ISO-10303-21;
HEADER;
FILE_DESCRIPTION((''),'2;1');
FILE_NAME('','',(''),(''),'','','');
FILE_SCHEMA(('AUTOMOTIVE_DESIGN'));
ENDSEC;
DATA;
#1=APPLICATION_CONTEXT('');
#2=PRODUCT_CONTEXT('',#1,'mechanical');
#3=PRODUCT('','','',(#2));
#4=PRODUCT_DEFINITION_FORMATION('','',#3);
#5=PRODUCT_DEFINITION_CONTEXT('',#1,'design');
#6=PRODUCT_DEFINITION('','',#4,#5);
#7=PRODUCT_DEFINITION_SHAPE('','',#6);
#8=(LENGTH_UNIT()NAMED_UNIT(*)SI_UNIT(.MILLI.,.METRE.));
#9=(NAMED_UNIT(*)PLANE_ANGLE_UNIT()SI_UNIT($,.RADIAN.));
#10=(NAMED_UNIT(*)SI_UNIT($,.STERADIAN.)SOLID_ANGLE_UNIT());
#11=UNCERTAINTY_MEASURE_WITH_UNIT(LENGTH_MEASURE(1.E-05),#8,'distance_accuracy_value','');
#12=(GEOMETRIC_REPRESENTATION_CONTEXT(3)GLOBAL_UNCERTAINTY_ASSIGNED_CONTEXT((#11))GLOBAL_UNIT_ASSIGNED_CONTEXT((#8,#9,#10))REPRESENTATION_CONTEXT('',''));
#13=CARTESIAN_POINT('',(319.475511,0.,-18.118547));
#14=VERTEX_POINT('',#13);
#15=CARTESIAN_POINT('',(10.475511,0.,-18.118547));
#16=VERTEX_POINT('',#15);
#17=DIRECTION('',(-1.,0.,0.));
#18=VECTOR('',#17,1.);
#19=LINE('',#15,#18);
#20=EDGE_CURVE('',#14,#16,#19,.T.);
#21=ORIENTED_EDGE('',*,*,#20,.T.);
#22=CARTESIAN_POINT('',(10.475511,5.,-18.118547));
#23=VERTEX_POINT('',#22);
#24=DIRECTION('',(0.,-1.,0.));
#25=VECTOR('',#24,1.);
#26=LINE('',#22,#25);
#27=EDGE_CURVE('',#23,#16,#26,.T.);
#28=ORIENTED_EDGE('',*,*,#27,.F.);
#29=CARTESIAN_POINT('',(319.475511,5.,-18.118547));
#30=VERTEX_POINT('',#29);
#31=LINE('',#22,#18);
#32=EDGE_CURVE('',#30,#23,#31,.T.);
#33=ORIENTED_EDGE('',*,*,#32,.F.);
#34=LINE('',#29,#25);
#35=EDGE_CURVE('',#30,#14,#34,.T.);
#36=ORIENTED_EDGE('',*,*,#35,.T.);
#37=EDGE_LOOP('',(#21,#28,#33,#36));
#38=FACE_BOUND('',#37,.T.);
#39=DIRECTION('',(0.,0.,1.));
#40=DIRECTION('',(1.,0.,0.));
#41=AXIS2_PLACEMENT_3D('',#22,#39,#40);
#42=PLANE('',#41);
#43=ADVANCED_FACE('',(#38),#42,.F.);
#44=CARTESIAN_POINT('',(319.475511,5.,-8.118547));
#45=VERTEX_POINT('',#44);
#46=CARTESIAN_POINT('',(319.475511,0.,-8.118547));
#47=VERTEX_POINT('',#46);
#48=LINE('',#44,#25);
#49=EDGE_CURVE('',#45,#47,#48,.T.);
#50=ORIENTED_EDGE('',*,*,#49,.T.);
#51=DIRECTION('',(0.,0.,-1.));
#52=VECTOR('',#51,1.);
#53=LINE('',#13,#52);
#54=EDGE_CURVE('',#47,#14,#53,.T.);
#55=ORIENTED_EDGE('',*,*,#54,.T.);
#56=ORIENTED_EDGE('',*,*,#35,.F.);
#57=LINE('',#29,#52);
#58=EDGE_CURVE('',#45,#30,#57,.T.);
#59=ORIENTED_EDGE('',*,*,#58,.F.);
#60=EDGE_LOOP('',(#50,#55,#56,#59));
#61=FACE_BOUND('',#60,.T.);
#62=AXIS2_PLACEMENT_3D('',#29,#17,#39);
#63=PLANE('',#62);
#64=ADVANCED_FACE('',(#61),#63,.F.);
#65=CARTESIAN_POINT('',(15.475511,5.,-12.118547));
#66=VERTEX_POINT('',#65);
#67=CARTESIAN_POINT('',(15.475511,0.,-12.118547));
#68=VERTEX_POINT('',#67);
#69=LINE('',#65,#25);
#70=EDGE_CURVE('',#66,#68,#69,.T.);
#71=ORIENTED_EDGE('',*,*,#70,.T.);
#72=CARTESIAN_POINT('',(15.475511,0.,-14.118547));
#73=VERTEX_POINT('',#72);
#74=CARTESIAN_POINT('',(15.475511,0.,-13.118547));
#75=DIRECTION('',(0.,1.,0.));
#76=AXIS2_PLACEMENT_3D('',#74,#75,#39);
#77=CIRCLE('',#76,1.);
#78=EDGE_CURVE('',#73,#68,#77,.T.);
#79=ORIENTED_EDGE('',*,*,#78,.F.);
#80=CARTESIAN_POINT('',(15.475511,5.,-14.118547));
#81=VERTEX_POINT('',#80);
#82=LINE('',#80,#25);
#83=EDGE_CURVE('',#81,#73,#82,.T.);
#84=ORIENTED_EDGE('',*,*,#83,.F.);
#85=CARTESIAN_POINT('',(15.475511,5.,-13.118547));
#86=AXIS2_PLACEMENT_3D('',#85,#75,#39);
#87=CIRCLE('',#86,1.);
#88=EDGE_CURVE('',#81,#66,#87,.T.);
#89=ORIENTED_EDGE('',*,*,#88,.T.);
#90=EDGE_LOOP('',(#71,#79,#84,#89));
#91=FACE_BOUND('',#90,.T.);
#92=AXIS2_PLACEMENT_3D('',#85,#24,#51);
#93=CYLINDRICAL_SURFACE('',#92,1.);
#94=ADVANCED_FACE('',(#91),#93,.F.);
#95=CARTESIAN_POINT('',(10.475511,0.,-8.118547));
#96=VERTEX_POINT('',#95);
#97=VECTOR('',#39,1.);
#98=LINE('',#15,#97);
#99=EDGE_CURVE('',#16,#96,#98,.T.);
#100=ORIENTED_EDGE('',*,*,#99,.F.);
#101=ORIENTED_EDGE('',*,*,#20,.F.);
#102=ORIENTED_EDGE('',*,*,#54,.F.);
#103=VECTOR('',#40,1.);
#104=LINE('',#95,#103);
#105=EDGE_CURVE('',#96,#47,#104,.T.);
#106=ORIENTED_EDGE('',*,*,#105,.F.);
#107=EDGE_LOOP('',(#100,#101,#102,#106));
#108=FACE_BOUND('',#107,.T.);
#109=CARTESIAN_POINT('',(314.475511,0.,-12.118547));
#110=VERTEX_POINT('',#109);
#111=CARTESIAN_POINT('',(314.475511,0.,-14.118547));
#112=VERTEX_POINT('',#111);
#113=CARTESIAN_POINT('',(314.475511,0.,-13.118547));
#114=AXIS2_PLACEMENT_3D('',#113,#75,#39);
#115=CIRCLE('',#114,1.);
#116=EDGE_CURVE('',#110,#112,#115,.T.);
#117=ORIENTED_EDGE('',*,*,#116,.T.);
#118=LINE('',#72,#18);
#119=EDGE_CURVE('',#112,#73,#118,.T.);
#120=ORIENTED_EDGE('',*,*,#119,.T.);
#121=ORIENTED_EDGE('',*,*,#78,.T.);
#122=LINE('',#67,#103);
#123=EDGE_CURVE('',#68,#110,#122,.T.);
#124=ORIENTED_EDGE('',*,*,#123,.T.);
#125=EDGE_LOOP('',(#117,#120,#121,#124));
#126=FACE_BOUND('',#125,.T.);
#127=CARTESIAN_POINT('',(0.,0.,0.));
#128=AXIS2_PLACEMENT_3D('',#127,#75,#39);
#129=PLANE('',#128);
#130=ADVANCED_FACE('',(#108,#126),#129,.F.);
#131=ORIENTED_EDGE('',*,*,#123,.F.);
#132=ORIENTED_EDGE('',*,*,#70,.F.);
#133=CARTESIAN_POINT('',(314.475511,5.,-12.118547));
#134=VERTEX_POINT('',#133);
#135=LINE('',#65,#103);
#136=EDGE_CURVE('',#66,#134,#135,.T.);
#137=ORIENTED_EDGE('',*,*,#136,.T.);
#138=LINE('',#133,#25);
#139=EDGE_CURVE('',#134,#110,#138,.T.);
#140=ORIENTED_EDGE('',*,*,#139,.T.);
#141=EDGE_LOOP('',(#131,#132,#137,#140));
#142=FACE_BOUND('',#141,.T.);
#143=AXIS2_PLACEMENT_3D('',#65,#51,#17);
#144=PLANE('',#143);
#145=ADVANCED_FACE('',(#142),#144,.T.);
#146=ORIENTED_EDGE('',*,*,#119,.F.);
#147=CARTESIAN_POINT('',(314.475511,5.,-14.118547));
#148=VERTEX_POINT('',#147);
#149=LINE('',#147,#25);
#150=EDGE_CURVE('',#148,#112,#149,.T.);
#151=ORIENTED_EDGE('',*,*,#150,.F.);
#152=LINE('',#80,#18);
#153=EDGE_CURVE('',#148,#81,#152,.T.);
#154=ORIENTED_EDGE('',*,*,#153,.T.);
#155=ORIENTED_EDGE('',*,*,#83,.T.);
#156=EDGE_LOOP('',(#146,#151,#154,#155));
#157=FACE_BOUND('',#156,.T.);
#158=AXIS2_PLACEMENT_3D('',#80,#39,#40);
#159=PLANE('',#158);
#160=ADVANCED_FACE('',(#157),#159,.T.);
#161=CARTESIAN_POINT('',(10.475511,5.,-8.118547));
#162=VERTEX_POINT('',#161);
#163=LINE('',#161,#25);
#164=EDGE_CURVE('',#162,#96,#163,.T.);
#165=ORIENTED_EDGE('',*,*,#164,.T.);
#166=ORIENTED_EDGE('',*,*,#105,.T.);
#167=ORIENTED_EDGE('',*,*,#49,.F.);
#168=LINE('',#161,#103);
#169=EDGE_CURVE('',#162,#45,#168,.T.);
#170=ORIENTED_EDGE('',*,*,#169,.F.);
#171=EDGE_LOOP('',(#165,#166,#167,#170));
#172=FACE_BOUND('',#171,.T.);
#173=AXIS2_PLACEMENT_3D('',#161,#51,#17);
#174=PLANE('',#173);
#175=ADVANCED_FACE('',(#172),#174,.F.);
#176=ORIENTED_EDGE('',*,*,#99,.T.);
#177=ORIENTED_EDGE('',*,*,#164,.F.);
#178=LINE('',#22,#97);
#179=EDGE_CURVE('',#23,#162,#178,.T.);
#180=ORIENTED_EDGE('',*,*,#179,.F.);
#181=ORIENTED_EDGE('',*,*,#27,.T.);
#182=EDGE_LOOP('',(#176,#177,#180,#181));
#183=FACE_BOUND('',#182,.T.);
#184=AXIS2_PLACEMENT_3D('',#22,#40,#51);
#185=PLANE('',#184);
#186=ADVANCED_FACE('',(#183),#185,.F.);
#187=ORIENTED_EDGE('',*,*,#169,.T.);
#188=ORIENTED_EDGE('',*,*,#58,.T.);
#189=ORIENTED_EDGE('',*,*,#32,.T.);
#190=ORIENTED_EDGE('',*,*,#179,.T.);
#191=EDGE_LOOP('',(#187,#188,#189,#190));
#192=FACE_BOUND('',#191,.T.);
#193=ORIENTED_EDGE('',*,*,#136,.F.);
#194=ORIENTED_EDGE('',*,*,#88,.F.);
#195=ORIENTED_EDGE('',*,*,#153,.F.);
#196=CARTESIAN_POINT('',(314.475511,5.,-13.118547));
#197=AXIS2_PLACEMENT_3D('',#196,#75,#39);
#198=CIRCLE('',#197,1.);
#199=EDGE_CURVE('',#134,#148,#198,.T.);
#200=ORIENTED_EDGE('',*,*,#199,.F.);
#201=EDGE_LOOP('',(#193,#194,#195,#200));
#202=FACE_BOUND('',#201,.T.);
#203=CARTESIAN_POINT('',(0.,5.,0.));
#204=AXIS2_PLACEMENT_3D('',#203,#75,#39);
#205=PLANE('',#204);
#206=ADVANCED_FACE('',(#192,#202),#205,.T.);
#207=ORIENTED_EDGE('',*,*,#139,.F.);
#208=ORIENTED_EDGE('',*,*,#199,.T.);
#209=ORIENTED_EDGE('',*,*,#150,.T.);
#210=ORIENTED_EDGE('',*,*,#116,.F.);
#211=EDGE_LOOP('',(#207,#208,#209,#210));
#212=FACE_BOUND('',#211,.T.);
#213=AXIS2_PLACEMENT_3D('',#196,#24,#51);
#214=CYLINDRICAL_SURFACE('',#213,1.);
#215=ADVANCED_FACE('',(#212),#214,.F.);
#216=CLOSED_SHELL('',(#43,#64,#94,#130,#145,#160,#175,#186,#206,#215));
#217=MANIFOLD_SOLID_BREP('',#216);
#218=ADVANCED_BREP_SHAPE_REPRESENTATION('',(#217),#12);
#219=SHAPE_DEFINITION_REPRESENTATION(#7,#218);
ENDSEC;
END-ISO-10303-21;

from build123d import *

# Parameters (mm, degrees)
SKETCH1_W           = 309
SKETCH1_H           = 10
BOSS_EXTRUDE1_DEPTH = 5


with BuildPart() as part:
    # Sketch1 → Boss-Extrude1 (new body)
    with BuildSketch(Plane(origin=(0, 0, 0), x_dir=(1, 0, 0), z_dir=(0, 1, 0))):
        with Locations((164.975510873, 13.11854725)):
            Rectangle(SKETCH1_W, SKETCH1_H)
        with BuildLine():
            Line((15.475510873, 14.11854725), (314.475510873, 14.11854725))
            ThreePointArc((314.475510873, 14.11854725), (315.475510873, 13.11854725), (314.475510873, 12.11854725))
            Line((314.475510873, 12.11854725), (15.475510873, 12.11854725))
            ThreePointArc((15.475510873, 12.11854725), (14.475510873, 13.11854725), (15.475510873, 14.11854725))
        make_face(mode=Mode.SUBTRACT)
    extrude(amount=BOSS_EXTRUDE1_DEPTH)


solid = part.part
